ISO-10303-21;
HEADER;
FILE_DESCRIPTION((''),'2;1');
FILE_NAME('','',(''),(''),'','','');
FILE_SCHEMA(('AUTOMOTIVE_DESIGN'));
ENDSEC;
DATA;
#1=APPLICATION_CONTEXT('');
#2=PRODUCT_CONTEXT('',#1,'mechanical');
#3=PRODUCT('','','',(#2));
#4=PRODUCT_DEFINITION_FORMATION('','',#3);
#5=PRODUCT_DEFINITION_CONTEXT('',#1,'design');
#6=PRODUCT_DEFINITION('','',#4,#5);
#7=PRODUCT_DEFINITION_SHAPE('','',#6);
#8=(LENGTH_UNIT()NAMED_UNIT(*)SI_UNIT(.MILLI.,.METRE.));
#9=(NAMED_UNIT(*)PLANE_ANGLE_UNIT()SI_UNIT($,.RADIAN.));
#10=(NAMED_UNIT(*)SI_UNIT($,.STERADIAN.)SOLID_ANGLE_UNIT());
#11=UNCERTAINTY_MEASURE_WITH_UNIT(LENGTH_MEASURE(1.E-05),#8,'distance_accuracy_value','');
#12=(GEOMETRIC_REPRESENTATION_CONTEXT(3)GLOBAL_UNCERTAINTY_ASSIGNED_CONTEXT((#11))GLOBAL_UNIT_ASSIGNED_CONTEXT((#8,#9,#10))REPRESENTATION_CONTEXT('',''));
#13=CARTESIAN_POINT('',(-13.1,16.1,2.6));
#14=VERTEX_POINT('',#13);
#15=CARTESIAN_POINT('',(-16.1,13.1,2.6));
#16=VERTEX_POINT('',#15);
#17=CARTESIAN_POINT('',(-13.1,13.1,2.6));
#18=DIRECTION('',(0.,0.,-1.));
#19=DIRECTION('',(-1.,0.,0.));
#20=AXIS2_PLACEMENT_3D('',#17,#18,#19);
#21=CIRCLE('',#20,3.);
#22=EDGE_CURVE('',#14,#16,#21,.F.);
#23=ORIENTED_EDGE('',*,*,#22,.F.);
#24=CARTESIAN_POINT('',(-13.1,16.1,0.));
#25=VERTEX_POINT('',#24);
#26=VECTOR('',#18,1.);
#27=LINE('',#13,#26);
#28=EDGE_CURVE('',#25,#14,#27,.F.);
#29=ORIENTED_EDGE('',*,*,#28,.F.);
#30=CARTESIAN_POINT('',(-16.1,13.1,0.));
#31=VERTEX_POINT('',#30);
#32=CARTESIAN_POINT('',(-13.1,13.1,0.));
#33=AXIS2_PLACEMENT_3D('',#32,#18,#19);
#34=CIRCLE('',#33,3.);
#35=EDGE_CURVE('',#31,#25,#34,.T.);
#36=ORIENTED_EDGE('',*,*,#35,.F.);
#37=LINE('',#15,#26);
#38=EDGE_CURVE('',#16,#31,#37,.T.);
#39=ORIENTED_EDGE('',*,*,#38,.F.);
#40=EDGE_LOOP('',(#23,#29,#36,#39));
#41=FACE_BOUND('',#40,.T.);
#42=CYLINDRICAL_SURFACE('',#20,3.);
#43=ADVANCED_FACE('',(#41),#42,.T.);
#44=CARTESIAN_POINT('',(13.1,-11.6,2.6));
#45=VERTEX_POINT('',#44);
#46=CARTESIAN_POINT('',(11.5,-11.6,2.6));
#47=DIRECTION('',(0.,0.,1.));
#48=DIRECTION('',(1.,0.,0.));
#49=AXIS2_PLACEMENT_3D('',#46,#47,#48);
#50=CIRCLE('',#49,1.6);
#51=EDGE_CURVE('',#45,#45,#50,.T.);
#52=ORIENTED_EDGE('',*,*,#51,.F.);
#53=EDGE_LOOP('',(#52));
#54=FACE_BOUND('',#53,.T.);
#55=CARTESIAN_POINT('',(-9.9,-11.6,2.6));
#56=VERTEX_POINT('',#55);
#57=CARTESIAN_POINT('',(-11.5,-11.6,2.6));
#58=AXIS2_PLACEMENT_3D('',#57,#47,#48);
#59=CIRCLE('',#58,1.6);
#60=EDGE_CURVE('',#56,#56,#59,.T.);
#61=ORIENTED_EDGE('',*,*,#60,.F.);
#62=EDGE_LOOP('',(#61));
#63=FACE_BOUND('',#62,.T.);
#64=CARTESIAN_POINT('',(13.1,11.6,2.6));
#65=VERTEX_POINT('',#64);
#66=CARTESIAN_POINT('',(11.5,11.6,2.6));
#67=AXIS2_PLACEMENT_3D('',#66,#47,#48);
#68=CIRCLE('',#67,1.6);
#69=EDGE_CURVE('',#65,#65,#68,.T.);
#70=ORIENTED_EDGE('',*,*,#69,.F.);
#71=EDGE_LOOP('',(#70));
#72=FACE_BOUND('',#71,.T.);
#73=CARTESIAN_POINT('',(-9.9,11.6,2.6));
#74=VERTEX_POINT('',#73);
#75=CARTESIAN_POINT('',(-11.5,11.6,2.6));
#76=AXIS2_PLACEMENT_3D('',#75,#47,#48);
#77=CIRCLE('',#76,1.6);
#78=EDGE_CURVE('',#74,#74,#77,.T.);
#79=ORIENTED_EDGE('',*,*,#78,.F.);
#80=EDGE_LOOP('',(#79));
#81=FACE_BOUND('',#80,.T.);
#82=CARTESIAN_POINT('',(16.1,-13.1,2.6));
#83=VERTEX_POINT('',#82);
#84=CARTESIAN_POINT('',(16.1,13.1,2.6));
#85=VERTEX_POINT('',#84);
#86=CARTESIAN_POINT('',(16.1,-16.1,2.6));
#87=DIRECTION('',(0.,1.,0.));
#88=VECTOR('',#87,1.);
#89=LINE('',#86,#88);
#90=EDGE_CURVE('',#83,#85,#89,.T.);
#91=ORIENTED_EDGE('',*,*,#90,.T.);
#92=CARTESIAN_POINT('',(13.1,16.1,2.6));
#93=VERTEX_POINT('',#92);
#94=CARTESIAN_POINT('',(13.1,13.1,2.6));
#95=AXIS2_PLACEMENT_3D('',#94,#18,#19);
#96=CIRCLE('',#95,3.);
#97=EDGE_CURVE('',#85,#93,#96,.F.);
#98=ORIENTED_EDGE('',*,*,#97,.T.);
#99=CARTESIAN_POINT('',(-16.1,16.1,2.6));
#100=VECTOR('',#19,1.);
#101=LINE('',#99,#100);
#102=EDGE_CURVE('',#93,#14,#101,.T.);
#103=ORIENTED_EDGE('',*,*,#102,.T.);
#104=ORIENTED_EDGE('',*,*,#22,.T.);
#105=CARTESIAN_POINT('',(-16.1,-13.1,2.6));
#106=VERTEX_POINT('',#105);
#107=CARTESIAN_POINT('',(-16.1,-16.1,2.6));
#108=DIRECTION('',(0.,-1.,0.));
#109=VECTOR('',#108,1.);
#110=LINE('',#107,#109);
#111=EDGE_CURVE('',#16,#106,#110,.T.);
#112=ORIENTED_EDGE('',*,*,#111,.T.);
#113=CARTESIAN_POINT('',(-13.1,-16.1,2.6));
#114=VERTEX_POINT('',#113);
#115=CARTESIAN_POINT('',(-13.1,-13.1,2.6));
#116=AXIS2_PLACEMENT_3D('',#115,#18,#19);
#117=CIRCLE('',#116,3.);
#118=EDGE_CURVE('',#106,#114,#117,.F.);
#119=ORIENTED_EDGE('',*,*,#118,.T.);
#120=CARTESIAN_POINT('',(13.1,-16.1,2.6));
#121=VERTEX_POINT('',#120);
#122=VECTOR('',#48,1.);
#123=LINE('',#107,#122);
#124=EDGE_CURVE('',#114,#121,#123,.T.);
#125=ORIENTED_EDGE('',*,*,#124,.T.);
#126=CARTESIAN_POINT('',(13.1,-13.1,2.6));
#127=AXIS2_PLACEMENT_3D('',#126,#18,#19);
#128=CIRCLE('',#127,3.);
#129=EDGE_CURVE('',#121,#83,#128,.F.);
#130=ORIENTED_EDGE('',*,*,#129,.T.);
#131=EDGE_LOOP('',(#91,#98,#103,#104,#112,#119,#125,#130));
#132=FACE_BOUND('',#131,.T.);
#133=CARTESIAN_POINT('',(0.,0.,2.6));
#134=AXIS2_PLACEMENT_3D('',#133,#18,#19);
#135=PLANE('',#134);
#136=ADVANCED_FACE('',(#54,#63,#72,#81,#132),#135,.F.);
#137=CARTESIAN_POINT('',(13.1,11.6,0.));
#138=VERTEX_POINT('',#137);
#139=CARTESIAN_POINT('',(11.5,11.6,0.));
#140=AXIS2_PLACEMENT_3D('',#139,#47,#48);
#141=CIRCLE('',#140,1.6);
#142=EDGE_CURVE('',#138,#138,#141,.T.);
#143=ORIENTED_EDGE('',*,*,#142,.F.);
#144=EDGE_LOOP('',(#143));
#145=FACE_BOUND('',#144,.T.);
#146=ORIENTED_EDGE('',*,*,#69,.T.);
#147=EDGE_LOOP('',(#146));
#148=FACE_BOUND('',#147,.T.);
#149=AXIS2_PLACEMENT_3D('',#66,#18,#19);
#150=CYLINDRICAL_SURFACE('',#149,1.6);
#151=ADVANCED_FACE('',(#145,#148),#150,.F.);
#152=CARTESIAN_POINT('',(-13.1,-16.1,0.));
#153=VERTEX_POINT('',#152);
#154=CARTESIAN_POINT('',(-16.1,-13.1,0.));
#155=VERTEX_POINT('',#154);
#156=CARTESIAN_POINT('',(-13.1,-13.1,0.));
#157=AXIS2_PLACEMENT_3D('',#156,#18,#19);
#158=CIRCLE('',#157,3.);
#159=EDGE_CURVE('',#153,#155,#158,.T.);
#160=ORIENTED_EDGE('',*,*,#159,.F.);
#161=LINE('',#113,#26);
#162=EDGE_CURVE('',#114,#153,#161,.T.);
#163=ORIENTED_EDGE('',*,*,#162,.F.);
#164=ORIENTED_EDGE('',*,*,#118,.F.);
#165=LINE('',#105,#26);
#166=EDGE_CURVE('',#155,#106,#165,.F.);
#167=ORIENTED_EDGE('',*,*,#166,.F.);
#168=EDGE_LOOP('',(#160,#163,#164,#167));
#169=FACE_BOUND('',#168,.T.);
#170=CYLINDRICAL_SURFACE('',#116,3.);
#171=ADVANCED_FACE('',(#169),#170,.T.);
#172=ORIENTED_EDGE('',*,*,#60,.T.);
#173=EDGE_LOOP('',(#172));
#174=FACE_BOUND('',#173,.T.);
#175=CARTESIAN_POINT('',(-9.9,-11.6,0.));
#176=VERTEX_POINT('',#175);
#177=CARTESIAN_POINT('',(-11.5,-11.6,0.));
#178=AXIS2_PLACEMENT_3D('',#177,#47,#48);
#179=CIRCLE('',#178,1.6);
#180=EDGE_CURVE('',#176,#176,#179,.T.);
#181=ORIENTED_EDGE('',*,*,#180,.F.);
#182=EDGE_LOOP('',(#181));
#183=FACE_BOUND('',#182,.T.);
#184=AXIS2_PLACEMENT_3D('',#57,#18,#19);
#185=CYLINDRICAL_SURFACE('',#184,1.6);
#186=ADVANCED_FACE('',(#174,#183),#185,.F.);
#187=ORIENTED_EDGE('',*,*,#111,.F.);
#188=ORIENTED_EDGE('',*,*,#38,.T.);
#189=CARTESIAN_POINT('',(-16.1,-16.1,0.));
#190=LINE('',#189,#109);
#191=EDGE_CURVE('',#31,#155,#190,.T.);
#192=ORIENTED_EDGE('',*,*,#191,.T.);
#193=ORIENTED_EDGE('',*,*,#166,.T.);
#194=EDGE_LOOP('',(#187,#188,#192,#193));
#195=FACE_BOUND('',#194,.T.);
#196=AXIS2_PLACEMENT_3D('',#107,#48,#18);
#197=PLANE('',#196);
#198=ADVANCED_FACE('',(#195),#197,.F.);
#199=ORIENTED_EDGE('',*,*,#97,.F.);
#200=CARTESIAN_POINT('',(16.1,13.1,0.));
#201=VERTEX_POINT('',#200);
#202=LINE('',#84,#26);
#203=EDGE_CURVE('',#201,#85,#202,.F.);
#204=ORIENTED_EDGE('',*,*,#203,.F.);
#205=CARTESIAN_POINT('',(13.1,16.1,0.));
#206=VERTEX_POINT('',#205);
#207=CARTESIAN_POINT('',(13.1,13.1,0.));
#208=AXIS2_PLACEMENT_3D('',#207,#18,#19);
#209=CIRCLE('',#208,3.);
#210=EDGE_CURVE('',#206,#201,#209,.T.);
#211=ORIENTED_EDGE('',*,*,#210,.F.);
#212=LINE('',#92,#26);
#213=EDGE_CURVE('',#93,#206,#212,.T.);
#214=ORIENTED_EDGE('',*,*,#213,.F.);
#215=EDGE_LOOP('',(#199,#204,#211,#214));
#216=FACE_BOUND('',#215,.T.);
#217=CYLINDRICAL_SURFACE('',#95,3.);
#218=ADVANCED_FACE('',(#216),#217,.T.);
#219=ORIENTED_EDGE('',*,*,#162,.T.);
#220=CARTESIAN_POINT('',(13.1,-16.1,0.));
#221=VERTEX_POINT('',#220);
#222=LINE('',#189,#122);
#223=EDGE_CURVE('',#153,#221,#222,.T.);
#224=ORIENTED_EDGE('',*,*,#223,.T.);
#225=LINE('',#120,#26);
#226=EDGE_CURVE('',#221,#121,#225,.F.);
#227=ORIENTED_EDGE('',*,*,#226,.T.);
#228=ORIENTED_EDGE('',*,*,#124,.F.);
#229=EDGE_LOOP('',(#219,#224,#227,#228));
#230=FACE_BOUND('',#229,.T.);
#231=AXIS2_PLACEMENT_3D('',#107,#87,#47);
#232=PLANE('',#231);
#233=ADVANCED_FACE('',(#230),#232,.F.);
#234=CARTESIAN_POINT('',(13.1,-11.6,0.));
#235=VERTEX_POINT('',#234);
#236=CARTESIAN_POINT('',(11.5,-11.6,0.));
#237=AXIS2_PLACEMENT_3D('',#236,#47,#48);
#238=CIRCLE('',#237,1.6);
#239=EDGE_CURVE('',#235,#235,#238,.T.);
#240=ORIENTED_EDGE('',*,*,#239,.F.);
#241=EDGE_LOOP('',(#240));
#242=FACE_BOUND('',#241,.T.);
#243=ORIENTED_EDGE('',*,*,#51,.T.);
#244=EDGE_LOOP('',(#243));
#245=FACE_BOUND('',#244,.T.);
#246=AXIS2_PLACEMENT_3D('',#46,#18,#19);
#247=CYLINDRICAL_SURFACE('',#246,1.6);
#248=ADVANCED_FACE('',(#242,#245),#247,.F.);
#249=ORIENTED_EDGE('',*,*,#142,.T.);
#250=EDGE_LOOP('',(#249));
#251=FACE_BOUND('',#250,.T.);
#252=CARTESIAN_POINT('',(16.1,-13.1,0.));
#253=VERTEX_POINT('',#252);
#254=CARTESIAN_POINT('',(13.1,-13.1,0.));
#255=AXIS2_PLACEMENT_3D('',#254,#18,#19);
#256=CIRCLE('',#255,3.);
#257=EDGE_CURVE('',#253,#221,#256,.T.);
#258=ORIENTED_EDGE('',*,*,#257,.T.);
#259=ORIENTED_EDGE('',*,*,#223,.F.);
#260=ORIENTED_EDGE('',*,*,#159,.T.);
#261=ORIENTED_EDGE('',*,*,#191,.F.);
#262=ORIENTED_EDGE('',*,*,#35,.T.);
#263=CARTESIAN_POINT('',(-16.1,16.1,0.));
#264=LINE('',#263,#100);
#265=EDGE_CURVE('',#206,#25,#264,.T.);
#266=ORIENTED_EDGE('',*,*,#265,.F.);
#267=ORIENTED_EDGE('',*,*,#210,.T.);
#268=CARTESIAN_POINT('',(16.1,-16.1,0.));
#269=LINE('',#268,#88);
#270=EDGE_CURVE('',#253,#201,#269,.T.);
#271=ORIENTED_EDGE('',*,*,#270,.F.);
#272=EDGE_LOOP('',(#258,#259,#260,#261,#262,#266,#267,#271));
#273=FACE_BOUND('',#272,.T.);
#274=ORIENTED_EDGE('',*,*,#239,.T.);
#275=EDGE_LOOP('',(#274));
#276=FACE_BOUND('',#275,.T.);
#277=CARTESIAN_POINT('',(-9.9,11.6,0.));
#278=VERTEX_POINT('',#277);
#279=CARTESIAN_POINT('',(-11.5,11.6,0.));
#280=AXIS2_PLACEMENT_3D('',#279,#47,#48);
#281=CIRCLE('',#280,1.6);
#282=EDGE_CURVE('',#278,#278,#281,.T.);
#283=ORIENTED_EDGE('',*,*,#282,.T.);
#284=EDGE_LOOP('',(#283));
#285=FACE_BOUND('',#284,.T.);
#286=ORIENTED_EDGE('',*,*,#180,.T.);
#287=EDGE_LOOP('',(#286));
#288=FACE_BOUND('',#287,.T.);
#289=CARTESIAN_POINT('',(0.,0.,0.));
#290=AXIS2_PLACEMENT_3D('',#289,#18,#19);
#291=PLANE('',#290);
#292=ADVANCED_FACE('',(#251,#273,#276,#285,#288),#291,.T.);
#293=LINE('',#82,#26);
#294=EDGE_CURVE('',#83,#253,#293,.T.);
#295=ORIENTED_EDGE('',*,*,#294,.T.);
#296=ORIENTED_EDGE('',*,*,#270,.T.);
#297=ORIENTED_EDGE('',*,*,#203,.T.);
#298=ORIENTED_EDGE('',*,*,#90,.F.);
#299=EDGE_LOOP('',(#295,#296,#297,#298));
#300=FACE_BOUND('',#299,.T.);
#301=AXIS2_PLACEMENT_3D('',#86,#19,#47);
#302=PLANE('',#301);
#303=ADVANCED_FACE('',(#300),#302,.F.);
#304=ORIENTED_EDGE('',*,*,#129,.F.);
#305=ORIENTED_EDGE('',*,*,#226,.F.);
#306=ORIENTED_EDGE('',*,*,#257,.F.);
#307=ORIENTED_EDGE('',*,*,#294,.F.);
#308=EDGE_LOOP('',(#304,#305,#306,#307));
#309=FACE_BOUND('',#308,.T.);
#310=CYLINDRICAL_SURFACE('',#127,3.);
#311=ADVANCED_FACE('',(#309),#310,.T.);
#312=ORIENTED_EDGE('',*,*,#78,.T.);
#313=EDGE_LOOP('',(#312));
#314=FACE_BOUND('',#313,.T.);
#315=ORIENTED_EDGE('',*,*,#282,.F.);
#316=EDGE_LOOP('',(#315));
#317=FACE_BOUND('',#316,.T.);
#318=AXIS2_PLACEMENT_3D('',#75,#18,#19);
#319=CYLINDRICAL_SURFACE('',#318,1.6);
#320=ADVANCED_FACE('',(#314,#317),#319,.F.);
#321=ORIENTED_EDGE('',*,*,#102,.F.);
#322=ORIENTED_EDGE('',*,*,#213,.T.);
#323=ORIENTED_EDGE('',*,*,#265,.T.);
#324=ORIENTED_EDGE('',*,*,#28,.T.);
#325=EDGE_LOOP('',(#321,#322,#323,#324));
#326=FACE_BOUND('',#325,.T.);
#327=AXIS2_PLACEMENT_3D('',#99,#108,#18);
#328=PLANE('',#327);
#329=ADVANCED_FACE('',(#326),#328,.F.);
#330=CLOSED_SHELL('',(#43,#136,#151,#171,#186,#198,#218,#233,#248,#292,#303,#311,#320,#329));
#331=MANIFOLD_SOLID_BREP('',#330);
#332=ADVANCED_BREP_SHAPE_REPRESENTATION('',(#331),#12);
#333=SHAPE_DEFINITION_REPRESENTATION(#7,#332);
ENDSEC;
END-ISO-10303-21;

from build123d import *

# Parameters (mm, degrees)
SKETCH1_W           = 32.2
SKETCH1_H           = 32.2
SKETCH1_R           = 1.6
BOSS_EXTRUDE1_DEPTH = 2.6
FILLET1_R           = 3


with BuildPart() as part:
    # Sketch1 → Boss-Extrude1 (new body)
    with BuildSketch(Plane.XY):
        Rectangle(SKETCH1_W, SKETCH1_H)
        with Locations((-11.5, -11.6)):
            Circle(SKETCH1_R, mode=Mode.SUBTRACT)
        with Locations((-11.5, 11.6)):
            Circle(SKETCH1_R, mode=Mode.SUBTRACT)
        with Locations((11.5, 11.6)):
            Circle(SKETCH1_R, mode=Mode.SUBTRACT)
        with Locations((11.5, -11.6)):
            Circle(SKETCH1_R, mode=Mode.SUBTRACT)
    extrude(amount=BOSS_EXTRUDE1_DEPTH)

    # Fillet1
    fillet1_edges = [part.edges().sort_by_distance(p)[0] for p in [
        (16.1, -16.1, 1.3),
        (-16.1, -16.1, 1.3),
        (-16.1, 16.1, 1.3),
        (16.1, 16.1, 1.3),
    ]]
    fillet(fillet1_edges, radius=FILLET1_R)


solid = part.part
